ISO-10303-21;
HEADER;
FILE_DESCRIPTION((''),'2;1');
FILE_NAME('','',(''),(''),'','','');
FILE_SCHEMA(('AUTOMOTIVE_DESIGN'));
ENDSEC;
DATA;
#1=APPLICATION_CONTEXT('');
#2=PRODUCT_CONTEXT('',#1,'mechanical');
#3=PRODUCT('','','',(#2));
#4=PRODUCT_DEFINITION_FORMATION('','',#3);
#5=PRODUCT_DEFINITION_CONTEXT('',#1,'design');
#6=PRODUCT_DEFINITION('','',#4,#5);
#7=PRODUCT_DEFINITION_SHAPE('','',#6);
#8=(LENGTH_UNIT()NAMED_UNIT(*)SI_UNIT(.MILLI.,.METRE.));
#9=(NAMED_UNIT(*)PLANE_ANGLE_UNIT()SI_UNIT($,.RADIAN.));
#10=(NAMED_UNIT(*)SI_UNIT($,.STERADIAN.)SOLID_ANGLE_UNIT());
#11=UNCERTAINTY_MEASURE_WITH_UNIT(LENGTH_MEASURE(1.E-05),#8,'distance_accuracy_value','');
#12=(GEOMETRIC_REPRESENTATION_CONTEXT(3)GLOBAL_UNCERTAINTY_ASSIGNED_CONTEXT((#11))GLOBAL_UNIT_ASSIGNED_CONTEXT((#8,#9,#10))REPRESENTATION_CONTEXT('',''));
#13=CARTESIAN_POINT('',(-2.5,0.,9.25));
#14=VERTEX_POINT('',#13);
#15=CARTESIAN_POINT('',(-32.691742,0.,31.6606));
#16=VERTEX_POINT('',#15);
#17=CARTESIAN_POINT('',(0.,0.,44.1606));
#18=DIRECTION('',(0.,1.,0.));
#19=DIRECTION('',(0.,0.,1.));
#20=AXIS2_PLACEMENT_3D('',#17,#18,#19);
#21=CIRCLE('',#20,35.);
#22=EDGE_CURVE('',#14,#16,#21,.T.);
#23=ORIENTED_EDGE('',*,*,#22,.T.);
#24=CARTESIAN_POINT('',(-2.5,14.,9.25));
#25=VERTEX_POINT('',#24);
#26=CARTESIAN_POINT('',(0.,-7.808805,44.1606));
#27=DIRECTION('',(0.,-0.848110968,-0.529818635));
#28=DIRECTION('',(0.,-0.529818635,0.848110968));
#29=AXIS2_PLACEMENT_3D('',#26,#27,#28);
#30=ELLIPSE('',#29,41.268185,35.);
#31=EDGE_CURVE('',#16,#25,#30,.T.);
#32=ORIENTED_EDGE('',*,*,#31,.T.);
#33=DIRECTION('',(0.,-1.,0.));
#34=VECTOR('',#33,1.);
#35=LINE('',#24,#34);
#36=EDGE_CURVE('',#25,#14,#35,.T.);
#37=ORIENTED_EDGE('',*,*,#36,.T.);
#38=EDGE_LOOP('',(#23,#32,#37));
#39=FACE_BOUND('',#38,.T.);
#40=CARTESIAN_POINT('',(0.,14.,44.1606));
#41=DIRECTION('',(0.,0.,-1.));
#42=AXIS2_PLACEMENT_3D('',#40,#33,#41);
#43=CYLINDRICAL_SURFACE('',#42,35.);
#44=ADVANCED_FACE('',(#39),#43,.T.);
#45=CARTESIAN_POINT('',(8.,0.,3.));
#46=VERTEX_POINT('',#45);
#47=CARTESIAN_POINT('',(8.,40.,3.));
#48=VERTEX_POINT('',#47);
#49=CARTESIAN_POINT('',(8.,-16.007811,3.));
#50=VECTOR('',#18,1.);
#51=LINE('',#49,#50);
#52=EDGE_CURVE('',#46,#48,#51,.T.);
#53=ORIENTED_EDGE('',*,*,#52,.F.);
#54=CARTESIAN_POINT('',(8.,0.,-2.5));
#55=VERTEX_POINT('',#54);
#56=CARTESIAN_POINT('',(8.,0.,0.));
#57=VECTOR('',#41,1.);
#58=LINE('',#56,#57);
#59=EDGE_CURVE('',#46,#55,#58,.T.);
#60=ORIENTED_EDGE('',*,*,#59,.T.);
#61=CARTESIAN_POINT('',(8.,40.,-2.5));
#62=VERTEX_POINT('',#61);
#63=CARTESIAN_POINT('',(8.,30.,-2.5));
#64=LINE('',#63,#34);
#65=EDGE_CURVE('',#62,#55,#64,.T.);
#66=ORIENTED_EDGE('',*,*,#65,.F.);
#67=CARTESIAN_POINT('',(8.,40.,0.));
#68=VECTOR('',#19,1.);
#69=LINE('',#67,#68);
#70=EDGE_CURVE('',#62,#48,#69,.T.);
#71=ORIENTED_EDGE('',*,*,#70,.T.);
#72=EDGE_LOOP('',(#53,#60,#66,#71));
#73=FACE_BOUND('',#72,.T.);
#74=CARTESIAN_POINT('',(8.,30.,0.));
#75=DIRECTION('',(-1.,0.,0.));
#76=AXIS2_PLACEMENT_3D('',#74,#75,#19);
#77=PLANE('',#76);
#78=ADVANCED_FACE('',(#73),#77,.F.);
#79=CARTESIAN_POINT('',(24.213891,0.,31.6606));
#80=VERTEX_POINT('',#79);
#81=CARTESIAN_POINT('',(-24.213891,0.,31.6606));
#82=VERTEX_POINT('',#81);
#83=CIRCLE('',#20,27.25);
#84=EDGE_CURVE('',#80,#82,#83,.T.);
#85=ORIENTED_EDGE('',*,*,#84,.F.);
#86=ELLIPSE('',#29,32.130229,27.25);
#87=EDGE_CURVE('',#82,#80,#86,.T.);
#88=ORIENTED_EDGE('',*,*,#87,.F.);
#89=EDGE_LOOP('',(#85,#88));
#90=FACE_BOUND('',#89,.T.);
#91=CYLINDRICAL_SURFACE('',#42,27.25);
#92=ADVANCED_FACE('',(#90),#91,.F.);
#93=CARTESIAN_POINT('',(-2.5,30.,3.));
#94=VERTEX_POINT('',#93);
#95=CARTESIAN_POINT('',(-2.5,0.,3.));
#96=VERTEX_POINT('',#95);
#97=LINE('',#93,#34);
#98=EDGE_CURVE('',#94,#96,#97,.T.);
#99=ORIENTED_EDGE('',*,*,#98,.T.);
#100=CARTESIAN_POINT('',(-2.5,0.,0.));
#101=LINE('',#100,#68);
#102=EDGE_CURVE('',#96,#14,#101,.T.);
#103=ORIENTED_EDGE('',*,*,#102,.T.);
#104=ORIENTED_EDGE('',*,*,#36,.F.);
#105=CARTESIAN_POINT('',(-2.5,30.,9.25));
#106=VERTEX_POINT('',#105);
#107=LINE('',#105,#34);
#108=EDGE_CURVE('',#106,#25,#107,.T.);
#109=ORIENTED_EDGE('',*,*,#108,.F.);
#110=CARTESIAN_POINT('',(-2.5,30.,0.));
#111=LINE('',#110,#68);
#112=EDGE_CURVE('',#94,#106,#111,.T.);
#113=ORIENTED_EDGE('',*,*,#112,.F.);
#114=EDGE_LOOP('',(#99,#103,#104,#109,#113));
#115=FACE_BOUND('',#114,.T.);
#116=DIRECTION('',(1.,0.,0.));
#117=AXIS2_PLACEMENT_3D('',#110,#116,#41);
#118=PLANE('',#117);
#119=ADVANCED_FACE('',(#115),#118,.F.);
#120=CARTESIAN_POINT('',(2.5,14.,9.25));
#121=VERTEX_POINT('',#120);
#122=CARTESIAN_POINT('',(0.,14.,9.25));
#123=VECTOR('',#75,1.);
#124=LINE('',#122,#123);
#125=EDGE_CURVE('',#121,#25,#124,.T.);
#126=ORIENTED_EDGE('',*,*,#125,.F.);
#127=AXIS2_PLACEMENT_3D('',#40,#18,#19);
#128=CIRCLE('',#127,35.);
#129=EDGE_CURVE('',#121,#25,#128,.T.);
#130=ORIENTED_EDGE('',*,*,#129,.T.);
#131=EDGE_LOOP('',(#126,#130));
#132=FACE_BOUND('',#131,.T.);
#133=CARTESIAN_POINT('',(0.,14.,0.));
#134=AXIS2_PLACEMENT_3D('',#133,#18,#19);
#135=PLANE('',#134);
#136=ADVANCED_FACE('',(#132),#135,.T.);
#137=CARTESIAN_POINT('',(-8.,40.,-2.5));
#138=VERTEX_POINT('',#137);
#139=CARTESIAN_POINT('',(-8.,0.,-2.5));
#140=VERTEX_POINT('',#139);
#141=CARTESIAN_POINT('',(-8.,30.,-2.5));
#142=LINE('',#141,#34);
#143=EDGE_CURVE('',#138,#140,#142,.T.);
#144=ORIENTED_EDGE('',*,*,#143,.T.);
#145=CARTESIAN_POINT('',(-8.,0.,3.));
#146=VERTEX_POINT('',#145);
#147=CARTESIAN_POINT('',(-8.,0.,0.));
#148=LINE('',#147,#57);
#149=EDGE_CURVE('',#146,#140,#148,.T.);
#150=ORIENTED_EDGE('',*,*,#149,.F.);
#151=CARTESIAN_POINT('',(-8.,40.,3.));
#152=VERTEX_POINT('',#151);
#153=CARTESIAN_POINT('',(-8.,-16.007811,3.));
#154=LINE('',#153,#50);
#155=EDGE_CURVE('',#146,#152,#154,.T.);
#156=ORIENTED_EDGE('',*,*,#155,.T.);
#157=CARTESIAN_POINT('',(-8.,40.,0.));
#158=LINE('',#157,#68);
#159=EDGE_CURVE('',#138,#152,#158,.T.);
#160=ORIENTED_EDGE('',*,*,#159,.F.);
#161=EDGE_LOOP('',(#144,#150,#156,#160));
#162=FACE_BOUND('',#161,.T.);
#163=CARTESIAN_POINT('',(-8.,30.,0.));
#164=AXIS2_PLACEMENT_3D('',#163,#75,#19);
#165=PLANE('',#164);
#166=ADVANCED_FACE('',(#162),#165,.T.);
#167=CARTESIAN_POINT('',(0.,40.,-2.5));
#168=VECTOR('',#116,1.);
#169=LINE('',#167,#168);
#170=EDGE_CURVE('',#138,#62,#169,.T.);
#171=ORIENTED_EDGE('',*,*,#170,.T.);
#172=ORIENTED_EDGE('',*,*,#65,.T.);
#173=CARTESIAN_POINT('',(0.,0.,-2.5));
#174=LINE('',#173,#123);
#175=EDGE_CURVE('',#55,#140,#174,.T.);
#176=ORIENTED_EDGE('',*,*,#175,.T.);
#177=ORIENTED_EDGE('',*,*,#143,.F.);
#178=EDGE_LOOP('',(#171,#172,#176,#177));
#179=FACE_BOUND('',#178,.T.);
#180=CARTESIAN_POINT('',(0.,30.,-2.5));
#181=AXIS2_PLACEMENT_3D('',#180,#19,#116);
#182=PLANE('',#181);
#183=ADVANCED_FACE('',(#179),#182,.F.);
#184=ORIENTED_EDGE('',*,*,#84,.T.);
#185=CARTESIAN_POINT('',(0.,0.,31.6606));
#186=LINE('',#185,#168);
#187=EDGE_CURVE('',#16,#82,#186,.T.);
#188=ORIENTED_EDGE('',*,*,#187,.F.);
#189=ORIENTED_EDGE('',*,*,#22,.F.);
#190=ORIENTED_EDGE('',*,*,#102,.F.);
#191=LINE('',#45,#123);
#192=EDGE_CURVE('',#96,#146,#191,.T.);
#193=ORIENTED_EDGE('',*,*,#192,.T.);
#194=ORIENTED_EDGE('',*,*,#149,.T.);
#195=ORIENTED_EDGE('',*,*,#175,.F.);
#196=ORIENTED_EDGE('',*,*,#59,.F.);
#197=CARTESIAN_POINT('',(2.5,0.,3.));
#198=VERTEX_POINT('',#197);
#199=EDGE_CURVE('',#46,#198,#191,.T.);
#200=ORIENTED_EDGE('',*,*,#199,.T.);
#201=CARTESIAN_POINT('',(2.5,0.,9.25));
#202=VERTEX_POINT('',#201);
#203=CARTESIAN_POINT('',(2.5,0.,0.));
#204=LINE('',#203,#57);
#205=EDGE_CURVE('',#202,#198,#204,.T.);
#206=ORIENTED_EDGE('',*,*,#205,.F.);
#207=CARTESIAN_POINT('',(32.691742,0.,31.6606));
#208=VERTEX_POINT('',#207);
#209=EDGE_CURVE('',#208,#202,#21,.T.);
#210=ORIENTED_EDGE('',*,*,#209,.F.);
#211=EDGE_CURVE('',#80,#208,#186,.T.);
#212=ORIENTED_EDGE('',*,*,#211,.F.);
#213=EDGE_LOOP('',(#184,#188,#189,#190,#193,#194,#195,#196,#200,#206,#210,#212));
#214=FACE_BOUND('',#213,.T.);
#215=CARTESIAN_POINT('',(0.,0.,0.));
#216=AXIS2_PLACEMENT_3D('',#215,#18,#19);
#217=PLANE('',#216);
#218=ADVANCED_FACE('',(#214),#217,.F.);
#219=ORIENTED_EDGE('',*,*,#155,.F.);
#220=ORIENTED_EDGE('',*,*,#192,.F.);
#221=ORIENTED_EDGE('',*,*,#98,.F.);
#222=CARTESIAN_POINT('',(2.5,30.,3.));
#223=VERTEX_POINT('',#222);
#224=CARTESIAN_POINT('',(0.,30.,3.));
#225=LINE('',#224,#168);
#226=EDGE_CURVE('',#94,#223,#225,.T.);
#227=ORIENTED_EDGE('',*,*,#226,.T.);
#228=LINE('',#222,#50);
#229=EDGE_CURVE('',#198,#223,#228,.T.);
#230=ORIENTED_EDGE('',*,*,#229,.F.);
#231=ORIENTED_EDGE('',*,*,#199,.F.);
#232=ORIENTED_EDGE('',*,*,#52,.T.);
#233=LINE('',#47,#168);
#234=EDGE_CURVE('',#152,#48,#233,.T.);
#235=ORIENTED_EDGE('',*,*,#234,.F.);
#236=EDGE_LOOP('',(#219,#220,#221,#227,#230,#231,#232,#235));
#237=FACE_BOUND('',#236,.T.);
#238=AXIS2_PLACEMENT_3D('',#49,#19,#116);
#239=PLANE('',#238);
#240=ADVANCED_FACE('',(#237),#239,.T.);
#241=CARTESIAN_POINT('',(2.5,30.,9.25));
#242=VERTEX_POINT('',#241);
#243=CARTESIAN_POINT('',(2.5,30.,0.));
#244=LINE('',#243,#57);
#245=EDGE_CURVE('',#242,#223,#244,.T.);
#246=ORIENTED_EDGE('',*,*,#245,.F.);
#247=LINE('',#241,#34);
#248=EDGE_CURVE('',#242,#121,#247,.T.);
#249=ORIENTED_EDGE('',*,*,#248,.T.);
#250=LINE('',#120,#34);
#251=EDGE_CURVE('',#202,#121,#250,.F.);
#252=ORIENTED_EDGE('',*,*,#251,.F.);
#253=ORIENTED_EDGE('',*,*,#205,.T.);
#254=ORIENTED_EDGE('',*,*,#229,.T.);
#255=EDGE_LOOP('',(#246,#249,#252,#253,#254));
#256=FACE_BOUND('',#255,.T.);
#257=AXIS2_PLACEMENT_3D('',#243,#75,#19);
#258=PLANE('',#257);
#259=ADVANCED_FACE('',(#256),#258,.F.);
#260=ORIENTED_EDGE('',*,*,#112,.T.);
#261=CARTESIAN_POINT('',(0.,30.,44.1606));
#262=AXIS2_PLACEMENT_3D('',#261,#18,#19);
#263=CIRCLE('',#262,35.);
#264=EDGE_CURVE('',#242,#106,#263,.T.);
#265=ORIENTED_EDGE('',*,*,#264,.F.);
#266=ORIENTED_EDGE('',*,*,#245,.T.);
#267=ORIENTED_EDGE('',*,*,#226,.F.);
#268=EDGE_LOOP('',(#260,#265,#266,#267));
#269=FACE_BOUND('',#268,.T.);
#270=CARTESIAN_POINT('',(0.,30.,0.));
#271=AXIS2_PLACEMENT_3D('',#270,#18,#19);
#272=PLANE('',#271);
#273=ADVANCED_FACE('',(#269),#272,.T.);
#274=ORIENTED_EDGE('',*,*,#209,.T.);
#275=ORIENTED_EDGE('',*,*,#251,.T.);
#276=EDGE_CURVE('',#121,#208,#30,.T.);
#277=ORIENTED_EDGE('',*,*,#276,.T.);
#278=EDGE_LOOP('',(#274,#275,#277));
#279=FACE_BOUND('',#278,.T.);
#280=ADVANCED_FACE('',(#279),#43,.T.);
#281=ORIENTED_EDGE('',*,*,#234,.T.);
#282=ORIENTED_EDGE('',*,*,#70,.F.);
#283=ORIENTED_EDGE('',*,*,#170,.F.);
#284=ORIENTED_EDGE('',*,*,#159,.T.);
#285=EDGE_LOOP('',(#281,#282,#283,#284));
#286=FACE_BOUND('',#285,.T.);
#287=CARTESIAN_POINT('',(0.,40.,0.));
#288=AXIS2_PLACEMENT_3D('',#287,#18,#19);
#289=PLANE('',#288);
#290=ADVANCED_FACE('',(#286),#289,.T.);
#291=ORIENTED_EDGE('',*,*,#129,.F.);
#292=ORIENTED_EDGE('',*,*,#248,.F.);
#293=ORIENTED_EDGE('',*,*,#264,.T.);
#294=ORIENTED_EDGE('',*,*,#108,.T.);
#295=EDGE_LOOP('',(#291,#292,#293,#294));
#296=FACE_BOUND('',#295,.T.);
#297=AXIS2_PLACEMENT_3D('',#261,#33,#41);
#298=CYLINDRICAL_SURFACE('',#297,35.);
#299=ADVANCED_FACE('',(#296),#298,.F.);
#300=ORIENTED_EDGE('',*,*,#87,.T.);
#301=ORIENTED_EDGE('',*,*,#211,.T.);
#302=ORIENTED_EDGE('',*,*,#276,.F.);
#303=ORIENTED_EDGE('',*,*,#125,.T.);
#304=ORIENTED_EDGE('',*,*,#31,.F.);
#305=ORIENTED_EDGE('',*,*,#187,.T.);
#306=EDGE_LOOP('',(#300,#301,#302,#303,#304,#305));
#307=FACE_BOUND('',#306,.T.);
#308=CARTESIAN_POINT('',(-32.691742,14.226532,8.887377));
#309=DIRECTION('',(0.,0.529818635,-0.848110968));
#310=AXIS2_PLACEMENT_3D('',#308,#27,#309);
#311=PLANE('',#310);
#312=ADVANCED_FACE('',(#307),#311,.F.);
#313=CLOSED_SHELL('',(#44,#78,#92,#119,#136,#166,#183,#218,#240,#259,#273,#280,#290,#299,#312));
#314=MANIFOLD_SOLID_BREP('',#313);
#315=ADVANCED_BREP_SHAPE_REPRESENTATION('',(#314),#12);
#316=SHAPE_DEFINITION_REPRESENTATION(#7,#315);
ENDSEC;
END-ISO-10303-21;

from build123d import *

# Parameters (mm, degrees)
SKETCH1_W               = 16
SKETCH1_H               = 5
BOSS_EXTRUDE1_DEPTH     = 30
BOSS_EXTRUDE2_DEPTH     = 14
CUT_EXTRUDE1_DEPTH      = 33.691742077
CUT_EXTRUDE1_DEPTH_BACK = 33.691742077
BOSS_EXTRUDE3_START     = 30
SKETCH1_3_W             = 16
SKETCH1_3_H             = 5
BOSS_EXTRUDE3_DEPTH     = 10
SKETCH5_W               = 16
SKETCH5_H               = 0.5
BOSS_EXTRUDE4_DEPTH     = 40


with BuildPart() as part:
    # Sketch1 → Boss-Extrude1 (new body)
    with BuildSketch(Plane(origin=(0, 0, 0), x_dir=(1, 0, 0), z_dir=(0, 1, 0))):
        Rectangle(SKETCH1_W, SKETCH1_H)
        with BuildLine():
            Line((2.5, -9.25), (2.5, -2.5))
            Line((2.5, -2.5), (-2.5, -2.5))
            Line((-2.5, -2.5), (-2.5, -9.25))
            ThreePointArc((-2.5, -9.25), (0, -9.160600109), (2.5, -9.25))
        make_face()
    extrude(amount=BOSS_EXTRUDE1_DEPTH)

    # Sketch2 → Boss-Extrude2 (add)
    with BuildSketch(Plane(origin=(0, 0, 0), x_dir=(1, 0, 0), z_dir=(0, 1, 0))):
        with BuildLine():
            ThreePointArc((32.691742077, -31.660600109), (0, -9.160600109), (-32.691742077, -31.660600109))
            Line((-32.691742077, -31.660600109), (-24.213890642, -31.660600109))
            ThreePointArc((-24.213890642, -31.660600109), (0, -16.910600109), (24.213890642, -31.660600109))
            Line((24.213890642, -31.660600109), (32.691742077, -31.660600109))
        make_face()
    extrude(amount=BOSS_EXTRUDE2_DEPTH)

    # Sketch3 → Cut-Extrude1 (cut, two sides)
    with BuildSketch(Plane(origin=(0, 0, 0), x_dir=(0, 0, -1), z_dir=(1, 0, 0))) as cut_extrude1_sk:
        Polygon((-9.25, 14), (-31.660600109, 14), (-31.660600109, 0), align=None)
    extrude(amount=CUT_EXTRUDE1_DEPTH, mode=Mode.SUBTRACT)
    extrude(cut_extrude1_sk.sketch, amount=-CUT_EXTRUDE1_DEPTH_BACK, mode=Mode.SUBTRACT)

    # Sketch1_3 → Boss-Extrude3 (add)
    with BuildSketch(Plane(origin=(0, 0, 0), x_dir=(1, 0, 0), z_dir=(0, 1, 0)).offset(BOSS_EXTRUDE3_START)):
        Rectangle(SKETCH1_3_W, SKETCH1_3_H)
    extrude(amount=BOSS_EXTRUDE3_DEPTH)

    # Sketch5 → Boss-Extrude4 (add)
    with BuildSketch(Plane(origin=(0, 40, 0), x_dir=(1, 0, 0), z_dir=(0, 1, 0))):
        with Locations((0, -2.75)):
            Rectangle(SKETCH5_W, SKETCH5_H)
    extrude(amount=-BOSS_EXTRUDE4_DEPTH)


solid = part.part
